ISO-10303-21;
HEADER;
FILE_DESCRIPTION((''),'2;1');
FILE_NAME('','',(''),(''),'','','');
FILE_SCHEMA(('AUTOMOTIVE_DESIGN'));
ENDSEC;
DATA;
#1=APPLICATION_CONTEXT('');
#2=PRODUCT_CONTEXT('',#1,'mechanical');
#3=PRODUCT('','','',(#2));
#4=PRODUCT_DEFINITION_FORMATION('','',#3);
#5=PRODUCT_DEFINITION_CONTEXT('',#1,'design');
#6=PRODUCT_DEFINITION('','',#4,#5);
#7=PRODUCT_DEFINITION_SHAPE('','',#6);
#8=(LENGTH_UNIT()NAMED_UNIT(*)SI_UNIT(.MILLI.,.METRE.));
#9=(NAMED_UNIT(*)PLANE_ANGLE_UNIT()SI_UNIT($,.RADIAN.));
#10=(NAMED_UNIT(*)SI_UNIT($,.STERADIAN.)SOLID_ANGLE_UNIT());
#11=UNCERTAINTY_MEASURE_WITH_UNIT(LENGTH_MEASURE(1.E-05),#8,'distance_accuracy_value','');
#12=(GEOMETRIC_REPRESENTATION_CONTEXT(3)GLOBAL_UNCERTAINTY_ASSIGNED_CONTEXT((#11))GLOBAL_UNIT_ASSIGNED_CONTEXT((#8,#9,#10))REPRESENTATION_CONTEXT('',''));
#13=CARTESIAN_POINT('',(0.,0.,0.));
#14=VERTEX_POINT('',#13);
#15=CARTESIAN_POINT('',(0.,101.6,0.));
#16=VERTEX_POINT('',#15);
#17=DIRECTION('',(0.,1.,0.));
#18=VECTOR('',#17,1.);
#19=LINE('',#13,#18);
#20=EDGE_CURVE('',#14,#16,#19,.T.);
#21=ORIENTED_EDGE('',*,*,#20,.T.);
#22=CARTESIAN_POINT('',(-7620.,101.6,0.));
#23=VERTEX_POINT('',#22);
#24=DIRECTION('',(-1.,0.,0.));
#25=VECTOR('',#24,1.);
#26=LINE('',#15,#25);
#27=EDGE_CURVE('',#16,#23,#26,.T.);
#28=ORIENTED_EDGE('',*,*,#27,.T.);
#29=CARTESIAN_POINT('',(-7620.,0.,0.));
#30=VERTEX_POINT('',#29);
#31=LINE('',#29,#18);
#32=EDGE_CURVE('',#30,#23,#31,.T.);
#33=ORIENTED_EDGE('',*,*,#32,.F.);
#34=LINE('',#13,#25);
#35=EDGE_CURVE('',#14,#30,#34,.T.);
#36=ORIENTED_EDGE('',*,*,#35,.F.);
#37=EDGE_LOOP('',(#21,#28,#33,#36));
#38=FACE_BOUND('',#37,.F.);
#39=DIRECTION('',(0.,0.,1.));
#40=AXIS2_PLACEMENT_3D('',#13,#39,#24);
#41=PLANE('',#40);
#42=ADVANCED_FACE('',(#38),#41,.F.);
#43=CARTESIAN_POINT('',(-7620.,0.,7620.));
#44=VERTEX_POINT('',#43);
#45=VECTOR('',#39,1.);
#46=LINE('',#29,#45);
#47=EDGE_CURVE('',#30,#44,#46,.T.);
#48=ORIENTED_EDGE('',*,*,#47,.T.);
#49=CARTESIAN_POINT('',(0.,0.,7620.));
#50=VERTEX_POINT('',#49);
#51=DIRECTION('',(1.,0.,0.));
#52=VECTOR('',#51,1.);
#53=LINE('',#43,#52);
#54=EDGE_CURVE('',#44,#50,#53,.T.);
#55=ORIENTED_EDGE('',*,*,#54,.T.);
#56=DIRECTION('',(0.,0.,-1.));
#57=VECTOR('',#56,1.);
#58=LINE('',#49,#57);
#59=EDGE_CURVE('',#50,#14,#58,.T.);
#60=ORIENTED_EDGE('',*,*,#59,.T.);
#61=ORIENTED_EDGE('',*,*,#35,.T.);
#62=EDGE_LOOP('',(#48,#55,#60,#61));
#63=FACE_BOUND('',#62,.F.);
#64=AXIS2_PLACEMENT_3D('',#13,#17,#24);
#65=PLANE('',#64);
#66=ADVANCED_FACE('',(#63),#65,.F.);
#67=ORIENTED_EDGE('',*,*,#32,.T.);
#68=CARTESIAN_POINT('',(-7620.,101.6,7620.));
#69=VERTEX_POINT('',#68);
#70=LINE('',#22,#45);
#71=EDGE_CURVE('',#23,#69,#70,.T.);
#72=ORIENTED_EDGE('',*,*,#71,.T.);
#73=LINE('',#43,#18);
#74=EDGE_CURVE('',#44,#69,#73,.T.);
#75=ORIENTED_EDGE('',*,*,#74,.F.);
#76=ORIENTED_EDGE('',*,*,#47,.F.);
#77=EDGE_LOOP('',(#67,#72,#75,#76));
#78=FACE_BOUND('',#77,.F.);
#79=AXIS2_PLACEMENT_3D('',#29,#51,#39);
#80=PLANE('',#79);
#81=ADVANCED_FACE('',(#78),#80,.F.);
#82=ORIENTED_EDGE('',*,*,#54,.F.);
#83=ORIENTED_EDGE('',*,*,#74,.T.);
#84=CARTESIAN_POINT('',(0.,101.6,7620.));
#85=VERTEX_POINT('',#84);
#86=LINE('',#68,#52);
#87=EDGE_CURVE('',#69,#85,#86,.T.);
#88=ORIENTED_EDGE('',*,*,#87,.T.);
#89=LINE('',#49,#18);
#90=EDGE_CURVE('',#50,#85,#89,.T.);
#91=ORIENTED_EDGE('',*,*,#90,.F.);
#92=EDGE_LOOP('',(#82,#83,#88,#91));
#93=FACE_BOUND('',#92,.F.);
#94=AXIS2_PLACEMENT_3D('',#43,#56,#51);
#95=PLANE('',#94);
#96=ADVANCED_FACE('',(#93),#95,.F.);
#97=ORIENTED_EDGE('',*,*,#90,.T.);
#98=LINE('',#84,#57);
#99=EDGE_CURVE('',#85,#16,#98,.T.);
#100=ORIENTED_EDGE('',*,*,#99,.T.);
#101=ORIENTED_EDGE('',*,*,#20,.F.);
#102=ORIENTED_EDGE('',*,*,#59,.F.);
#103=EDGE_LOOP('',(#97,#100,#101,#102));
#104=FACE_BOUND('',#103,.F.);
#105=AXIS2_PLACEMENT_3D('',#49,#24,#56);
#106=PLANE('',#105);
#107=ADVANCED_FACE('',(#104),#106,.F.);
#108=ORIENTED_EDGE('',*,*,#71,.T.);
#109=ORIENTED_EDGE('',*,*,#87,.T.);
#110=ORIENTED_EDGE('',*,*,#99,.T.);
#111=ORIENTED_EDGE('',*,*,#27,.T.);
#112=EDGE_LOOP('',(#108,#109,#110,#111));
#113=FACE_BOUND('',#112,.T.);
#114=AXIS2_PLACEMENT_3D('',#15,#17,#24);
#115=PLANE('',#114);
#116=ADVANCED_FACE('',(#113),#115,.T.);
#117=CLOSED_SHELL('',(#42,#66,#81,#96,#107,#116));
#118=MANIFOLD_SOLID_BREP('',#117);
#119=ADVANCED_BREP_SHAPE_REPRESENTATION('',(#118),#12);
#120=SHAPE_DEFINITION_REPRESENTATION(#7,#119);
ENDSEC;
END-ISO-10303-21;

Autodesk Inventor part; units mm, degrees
ref_plane "YZ Plane" through (0, 0, 0) normal (1, 0, 0) x (0, 1, 0)
ref_plane "XZ Plane" through (0, 0, 0) normal (0, 1, 0) x (-1, 0, 0)
ref_plane "XY Plane" through (0, 0, 0) normal (0, 0, 1) x (1, 0, 0)
sketch "Sketch1" plane through (0, 0, 0) normal (0, 1, 0) x (-1, 0, 0)
  line L0 (0, 0) -> (7620, 0)
  line L1 (7620, 0) -> (7620, 7620)
  line L2 (7620, 7620) -> (0, 7620)
  line L3 (0, 7620) -> (0, 0)
  dimension "d2" = 7620
  dimension "d3" = 7620
extrude "Extrusion1" add sketch "Sketch1" along normal blind 101.6
properties part number "Slab_Of_House"
